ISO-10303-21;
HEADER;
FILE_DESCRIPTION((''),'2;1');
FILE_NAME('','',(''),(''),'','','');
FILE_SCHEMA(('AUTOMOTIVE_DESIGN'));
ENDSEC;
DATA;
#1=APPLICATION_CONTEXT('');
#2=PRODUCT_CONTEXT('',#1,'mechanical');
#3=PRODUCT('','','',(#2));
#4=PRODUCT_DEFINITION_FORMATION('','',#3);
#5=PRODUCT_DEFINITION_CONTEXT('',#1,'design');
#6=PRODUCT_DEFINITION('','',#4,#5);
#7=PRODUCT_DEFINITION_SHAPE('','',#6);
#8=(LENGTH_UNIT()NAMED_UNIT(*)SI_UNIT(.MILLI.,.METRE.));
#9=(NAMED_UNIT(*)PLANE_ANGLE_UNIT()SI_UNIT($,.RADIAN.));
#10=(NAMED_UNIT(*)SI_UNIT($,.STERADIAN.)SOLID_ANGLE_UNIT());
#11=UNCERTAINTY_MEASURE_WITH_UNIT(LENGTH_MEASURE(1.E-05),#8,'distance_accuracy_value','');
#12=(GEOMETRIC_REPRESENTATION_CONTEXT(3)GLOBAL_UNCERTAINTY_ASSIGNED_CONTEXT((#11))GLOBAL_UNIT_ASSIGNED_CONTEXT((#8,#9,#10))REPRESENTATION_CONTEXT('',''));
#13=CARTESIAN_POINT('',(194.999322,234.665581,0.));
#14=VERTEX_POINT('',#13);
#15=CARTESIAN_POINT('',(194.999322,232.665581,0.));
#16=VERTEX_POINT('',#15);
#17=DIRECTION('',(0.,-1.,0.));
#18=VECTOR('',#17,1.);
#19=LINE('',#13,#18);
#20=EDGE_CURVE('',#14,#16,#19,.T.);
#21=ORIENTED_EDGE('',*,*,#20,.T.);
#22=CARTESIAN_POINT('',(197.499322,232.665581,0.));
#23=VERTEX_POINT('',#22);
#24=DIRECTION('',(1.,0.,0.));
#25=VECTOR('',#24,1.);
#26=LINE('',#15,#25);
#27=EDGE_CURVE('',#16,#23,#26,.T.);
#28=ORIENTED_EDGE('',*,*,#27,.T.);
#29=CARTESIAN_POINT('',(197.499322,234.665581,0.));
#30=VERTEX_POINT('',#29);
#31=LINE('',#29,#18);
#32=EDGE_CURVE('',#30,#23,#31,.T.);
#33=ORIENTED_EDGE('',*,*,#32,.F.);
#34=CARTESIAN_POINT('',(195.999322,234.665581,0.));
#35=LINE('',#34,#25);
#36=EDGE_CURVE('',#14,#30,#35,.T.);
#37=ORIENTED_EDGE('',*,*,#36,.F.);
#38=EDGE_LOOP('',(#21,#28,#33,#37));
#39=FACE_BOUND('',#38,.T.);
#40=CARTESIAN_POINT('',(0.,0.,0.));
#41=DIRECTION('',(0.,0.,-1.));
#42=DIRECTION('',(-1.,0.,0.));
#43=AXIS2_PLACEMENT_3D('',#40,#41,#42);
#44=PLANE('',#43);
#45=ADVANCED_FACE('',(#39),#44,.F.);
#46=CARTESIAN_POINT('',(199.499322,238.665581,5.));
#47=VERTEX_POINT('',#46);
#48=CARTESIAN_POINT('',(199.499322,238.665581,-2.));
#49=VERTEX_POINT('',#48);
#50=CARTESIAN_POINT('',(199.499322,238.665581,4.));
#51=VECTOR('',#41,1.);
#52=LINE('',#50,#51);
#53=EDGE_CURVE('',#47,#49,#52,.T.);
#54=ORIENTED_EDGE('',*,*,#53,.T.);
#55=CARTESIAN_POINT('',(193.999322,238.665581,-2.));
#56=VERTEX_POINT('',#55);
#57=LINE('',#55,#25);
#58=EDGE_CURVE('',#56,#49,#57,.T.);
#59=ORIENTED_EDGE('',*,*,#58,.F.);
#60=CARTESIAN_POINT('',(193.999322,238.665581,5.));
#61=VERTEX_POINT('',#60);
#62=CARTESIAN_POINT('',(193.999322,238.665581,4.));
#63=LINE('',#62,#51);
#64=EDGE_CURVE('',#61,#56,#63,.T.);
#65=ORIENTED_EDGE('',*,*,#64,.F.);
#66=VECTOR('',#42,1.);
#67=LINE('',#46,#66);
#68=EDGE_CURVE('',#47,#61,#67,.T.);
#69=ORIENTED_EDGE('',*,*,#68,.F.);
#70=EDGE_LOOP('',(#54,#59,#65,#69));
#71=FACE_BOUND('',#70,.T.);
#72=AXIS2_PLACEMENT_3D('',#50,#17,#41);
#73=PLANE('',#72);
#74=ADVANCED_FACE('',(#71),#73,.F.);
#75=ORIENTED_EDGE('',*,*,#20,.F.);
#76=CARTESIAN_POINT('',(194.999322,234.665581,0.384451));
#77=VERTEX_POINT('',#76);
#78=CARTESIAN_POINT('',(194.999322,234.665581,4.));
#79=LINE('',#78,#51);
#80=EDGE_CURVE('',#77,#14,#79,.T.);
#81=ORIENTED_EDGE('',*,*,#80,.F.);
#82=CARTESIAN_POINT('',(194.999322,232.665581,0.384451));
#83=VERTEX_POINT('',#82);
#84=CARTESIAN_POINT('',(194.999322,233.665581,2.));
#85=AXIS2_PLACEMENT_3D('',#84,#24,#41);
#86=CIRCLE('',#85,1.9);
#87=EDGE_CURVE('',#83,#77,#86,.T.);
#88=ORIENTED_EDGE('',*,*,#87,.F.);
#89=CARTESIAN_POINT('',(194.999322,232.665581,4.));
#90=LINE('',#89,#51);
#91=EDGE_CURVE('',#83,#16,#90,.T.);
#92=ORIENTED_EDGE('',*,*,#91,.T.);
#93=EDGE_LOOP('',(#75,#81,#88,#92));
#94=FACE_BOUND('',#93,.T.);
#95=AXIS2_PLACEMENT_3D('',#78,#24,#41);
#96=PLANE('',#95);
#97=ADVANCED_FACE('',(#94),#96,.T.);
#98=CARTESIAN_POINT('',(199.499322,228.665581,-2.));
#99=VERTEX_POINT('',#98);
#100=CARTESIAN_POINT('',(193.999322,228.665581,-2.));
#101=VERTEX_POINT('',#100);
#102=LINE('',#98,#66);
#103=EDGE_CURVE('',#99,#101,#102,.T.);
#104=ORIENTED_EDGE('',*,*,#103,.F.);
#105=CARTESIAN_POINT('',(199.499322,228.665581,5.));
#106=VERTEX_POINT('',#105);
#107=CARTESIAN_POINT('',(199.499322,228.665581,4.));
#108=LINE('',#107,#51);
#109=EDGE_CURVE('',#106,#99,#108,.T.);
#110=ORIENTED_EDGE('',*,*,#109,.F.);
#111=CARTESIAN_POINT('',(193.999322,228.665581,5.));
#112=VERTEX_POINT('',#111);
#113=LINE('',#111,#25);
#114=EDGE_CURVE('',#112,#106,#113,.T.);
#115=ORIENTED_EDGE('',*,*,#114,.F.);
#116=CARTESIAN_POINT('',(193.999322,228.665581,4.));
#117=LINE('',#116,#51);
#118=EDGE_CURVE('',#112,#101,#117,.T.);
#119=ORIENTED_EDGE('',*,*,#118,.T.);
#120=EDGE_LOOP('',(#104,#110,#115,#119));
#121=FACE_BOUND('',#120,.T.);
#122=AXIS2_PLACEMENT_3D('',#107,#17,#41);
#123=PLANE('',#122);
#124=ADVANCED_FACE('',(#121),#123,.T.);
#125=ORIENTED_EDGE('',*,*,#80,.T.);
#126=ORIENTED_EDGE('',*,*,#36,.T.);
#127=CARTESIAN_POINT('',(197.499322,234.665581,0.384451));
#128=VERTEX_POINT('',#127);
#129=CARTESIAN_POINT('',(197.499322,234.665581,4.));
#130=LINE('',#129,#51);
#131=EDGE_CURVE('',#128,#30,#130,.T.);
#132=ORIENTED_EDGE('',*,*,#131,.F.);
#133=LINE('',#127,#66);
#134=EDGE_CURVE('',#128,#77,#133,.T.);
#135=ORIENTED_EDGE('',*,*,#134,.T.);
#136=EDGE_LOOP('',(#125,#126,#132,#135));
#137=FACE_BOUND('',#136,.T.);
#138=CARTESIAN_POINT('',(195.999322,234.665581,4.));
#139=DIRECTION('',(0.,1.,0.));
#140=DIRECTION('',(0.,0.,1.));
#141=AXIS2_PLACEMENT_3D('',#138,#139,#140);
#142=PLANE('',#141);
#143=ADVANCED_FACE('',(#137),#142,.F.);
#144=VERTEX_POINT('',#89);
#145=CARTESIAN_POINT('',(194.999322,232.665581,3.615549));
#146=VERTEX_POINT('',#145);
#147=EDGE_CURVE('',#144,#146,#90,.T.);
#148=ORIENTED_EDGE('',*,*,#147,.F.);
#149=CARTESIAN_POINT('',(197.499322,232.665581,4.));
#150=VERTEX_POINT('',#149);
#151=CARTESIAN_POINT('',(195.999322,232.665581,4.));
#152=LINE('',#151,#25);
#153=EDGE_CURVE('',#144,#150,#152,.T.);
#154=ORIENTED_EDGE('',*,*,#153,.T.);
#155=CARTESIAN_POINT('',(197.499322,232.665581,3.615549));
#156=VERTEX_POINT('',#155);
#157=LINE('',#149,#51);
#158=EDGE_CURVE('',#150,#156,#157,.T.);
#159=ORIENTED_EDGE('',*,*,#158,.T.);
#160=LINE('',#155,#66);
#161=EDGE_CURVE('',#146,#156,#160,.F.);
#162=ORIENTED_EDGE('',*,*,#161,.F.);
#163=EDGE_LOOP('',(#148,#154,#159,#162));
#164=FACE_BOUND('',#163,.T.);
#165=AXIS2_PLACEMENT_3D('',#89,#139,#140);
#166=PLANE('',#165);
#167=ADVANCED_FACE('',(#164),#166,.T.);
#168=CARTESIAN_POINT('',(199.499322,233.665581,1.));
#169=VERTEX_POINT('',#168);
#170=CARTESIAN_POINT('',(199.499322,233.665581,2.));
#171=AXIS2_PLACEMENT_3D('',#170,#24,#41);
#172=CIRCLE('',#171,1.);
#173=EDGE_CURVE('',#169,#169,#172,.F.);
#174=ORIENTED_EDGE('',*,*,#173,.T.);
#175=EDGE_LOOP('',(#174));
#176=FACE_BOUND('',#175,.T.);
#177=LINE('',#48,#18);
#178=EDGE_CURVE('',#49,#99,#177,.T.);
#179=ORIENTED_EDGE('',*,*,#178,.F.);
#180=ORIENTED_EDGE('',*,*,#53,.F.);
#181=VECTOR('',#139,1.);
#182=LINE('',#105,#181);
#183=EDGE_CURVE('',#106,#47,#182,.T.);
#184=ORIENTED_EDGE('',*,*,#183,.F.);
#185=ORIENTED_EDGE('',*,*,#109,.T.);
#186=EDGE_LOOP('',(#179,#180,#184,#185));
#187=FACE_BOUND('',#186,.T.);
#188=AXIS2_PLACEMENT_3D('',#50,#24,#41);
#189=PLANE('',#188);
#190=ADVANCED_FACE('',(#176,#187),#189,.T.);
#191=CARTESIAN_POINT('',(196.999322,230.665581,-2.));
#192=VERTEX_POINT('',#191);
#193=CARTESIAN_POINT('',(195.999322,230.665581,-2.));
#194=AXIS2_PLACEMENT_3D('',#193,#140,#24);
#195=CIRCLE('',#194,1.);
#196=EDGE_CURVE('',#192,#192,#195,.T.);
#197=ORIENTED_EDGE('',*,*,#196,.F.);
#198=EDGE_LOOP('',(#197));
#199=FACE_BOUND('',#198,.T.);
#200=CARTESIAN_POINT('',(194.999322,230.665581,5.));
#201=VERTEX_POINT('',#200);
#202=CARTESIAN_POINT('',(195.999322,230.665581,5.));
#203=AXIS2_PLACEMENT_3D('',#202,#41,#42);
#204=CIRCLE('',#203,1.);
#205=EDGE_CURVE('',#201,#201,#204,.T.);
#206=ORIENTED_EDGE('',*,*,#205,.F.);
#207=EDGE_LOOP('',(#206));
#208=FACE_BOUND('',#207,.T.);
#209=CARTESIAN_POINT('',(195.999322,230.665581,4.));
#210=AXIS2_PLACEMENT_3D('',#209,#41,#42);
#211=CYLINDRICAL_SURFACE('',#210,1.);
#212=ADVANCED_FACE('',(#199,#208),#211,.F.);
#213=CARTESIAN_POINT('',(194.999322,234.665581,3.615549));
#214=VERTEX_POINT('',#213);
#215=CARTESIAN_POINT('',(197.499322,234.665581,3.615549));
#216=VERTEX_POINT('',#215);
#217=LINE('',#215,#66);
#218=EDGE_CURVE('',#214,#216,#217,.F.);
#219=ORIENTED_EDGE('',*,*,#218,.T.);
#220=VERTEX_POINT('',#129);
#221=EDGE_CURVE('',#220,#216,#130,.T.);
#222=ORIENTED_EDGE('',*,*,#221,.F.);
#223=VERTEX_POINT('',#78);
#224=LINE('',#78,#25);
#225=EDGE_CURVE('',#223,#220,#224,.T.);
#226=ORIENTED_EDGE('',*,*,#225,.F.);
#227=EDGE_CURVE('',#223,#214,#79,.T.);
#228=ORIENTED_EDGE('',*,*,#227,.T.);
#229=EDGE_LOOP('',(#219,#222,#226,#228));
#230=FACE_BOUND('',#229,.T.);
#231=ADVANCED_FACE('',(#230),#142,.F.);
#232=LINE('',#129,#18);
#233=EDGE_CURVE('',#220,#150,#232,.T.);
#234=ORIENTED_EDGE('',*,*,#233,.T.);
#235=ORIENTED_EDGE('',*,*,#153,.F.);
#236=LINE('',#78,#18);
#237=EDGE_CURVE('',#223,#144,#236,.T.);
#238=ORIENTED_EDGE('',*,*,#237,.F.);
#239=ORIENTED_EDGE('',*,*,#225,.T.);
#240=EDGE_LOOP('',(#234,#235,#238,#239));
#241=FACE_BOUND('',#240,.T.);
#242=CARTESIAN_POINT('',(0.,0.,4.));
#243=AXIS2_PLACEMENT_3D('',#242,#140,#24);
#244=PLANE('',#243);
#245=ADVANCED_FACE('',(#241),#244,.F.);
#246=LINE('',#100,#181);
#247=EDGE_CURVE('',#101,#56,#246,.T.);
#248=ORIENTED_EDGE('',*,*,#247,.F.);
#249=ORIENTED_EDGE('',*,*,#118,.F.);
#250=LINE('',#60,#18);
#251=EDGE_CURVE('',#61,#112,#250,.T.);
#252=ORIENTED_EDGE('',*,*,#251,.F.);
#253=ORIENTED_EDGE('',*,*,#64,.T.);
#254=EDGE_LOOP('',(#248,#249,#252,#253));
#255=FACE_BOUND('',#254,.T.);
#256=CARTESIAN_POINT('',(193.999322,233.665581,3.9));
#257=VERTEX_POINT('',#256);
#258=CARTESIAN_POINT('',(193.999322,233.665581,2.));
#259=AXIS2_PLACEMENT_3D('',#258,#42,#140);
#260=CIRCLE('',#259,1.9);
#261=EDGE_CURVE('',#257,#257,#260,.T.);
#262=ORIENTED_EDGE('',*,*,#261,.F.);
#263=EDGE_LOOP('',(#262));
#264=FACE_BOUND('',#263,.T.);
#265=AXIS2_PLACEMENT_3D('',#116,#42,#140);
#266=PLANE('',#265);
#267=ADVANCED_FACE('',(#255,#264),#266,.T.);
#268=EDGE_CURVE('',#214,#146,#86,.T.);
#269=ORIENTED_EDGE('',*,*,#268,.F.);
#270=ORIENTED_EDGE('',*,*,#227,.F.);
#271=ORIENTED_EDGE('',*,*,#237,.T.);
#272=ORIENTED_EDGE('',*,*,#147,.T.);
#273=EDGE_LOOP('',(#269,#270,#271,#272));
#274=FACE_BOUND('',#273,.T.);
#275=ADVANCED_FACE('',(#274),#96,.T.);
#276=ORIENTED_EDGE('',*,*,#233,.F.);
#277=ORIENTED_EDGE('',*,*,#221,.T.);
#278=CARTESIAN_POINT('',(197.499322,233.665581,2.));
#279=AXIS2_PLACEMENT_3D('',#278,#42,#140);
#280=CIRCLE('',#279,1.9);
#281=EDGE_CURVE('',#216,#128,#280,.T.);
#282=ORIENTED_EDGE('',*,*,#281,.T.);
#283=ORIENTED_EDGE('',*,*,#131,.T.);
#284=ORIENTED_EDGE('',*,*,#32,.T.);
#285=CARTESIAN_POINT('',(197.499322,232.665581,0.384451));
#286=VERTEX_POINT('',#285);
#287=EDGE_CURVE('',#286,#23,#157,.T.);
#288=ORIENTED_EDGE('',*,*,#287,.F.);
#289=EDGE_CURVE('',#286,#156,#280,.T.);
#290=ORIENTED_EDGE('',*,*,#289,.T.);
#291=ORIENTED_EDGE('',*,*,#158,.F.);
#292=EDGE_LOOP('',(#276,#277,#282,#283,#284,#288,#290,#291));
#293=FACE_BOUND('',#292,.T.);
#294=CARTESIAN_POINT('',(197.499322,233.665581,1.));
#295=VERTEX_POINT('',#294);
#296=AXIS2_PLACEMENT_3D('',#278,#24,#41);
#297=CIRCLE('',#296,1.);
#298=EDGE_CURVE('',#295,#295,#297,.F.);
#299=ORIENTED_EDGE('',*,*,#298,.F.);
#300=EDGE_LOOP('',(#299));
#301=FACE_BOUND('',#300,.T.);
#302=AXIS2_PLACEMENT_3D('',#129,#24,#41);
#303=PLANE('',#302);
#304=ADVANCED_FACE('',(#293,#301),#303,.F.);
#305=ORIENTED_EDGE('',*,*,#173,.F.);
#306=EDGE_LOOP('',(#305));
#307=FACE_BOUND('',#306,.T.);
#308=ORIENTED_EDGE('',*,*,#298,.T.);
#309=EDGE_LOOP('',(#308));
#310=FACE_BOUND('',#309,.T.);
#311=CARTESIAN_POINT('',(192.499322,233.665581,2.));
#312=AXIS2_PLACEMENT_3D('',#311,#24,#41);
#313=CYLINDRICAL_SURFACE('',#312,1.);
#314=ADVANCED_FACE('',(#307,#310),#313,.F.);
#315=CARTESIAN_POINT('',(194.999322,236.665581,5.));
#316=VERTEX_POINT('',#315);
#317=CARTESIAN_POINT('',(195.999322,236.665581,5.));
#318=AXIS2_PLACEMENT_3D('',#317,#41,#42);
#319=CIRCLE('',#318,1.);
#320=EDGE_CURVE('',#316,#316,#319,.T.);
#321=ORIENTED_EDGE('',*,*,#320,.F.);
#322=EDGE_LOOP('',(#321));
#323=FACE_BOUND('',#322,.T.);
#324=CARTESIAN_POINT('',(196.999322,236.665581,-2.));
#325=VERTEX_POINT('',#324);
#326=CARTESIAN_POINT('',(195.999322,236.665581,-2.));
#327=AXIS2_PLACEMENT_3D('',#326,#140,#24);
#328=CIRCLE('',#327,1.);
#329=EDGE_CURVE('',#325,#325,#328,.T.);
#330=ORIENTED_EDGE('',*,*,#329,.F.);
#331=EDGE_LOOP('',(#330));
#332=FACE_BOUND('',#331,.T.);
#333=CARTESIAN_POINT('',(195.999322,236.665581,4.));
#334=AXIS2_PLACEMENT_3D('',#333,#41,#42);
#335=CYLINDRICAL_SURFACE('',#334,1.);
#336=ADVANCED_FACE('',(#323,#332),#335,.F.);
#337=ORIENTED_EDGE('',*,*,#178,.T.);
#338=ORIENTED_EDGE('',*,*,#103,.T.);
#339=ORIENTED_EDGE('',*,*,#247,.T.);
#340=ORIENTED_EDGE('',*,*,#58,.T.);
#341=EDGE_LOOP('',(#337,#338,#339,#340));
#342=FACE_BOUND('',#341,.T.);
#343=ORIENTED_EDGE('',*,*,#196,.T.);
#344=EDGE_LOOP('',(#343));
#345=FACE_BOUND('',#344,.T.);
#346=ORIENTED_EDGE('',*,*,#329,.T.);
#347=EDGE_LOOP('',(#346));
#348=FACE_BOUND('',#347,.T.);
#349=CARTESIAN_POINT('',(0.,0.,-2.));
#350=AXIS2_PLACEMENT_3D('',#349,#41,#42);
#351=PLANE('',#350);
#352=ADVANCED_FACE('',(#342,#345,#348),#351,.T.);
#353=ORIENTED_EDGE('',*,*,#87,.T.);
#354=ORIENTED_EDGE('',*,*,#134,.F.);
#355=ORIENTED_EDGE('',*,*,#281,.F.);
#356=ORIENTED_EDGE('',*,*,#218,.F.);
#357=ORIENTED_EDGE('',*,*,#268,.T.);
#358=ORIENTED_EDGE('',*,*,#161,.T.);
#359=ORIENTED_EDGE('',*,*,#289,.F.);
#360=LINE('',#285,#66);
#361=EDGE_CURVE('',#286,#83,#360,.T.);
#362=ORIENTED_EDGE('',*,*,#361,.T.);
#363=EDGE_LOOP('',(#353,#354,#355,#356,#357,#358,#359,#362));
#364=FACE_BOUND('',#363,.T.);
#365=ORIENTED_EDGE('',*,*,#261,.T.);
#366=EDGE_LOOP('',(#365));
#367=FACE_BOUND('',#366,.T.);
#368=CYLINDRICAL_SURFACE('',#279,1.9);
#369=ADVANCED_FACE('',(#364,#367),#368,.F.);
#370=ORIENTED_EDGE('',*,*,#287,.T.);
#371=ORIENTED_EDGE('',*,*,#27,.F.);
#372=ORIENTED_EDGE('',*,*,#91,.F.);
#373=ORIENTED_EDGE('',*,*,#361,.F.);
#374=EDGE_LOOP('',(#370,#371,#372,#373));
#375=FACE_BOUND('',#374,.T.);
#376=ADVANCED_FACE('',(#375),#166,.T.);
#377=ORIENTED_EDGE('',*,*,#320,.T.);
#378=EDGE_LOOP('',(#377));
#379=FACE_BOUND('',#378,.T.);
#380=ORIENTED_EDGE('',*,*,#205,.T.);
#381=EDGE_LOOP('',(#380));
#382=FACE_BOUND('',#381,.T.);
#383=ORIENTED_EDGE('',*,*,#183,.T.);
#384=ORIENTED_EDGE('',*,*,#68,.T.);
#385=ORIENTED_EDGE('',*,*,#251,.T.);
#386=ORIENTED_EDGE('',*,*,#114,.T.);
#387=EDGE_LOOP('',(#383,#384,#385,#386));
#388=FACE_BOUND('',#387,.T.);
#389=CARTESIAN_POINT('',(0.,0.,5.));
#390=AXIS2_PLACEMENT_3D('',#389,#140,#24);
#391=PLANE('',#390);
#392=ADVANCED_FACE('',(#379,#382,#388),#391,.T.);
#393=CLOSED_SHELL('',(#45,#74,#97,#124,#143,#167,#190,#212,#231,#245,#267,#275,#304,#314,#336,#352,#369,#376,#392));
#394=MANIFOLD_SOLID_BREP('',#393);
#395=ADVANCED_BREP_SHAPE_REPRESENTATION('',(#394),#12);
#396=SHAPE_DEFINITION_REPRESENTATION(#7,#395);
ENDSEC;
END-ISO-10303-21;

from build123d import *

# Parameters (mm, degrees)
MODEL_R                  = 1
EXTRUDE_1_DEPTH          = 4
SKETCH_1_R               = 1
CUT_EXTRUDE_1_DEPTH      = 5
CUT_EXTRUDE_1_DEPTH_BACK = 3
SKETCH_2_R               = 1.9
CUT_EXTRUDE_2_DEPTH      = 3.5
SKETCH_4_W               = 5.5
SKETCH_4_H               = 10
EXTRUDE_2_DEPTH          = 2
SKETCH_5_R               = 1
CUT_EXTRUDE_3_DEPTH      = 2
SKETCH_6_R               = 1
CUT_EXTRUDE_4_DEPTH      = 2
SKETCH_7_W               = 5.5
SKETCH_7_H               = 10
EXTRUDE_3_DEPTH          = 1
SKETCH_8_R               = 1
CUT_EXTRUDE_5_DEPTH      = 1


with BuildPart() as part:
    # Model → 凸台-拉伸1 (new body)
    with BuildSketch(Plane.XY):
        Polygon((199.499322294, 238.665580803), (199.499322294, 228.665580803), (193.999322294, 228.665580803), (193.999322294, 232.665580803), (193.999322294, 234.665580803), (193.999322294, 238.665580803), align=None)
        with Locations((195.999322294, 236.665580803)):
            Circle(MODEL_R, mode=Mode.SUBTRACT)
        with Locations((195.999322294, 230.665580803)):
            Circle(MODEL_R, mode=Mode.SUBTRACT)
        Polygon((195.999322294, 234.665580803), (197.499322294, 234.665580803), (197.499322294, 232.665580803), (195.999322294, 232.665580803), (194.999322294, 232.665580803), (194.999322294, 234.665580803), align=None, mode=Mode.SUBTRACT)
    extrude(amount=EXTRUDE_1_DEPTH)

    # 草图1 → 切除-拉伸1 (cut, two sides)
    with BuildSketch(Plane.ZY.offset(-197.499322294)) as cut_extrude_1_sk:
        with Locations((2, 233.665580803)):
            Circle(SKETCH_1_R)
    extrude(amount=CUT_EXTRUDE_1_DEPTH, mode=Mode.SUBTRACT)
    extrude(cut_extrude_1_sk.sketch, amount=-CUT_EXTRUDE_1_DEPTH_BACK, mode=Mode.SUBTRACT)

    # 草图2 → 切除-拉伸2 (cut)
    with BuildSketch(Plane.ZY.offset(-193.999322294)):
        with Locations((2, 233.665580803)):
            Circle(SKETCH_2_R)
    extrude(amount=-CUT_EXTRUDE_2_DEPTH, mode=Mode.SUBTRACT)

    # 草图4 → 凸台-拉伸2 (add)
    with BuildSketch(Plane(origin=(0, 0, 0), x_dir=(-1, 0, 0), z_dir=(0, 0, -1))):
        with Locations((-196.749322294, 233.665580803)):
            Rectangle(SKETCH_4_W, SKETCH_4_H)
    extrude(amount=EXTRUDE_2_DEPTH)

    # 草图5 → 切除-拉伸3 (cut)
    with BuildSketch(Plane.XY):
        with Locations((195.999322294, 236.665580803)):
            Circle(SKETCH_5_R)
    extrude(amount=-CUT_EXTRUDE_3_DEPTH, mode=Mode.SUBTRACT)

    # 草图6 → 切除-拉伸4 (cut)
    with BuildSketch(Plane.XY):
        with Locations((195.999322294, 230.665580803)):
            Circle(SKETCH_6_R)
    extrude(amount=-CUT_EXTRUDE_4_DEPTH, mode=Mode.SUBTRACT)

    # 草图7 → 凸台-拉伸3 (add)
    with BuildSketch(Plane.XY.offset(4)):
        with Locations((196.749322294, 233.665580803)):
            Rectangle(SKETCH_7_W, SKETCH_7_H)
    extrude(amount=EXTRUDE_3_DEPTH)

    # 草图8 → 切除-拉伸5 (cut)
    with BuildSketch(Plane(origin=(0, 0, 4), x_dir=(-1, 0, 0), z_dir=(0, 0, -1))):
        with Locations((-195.999322294, 236.665580803)):
            Circle(SKETCH_8_R)
        with Locations((-195.999322294, 230.665580803)):
            Circle(SKETCH_8_R)
    extrude(amount=-CUT_EXTRUDE_5_DEPTH, mode=Mode.SUBTRACT)


solid = part.part
